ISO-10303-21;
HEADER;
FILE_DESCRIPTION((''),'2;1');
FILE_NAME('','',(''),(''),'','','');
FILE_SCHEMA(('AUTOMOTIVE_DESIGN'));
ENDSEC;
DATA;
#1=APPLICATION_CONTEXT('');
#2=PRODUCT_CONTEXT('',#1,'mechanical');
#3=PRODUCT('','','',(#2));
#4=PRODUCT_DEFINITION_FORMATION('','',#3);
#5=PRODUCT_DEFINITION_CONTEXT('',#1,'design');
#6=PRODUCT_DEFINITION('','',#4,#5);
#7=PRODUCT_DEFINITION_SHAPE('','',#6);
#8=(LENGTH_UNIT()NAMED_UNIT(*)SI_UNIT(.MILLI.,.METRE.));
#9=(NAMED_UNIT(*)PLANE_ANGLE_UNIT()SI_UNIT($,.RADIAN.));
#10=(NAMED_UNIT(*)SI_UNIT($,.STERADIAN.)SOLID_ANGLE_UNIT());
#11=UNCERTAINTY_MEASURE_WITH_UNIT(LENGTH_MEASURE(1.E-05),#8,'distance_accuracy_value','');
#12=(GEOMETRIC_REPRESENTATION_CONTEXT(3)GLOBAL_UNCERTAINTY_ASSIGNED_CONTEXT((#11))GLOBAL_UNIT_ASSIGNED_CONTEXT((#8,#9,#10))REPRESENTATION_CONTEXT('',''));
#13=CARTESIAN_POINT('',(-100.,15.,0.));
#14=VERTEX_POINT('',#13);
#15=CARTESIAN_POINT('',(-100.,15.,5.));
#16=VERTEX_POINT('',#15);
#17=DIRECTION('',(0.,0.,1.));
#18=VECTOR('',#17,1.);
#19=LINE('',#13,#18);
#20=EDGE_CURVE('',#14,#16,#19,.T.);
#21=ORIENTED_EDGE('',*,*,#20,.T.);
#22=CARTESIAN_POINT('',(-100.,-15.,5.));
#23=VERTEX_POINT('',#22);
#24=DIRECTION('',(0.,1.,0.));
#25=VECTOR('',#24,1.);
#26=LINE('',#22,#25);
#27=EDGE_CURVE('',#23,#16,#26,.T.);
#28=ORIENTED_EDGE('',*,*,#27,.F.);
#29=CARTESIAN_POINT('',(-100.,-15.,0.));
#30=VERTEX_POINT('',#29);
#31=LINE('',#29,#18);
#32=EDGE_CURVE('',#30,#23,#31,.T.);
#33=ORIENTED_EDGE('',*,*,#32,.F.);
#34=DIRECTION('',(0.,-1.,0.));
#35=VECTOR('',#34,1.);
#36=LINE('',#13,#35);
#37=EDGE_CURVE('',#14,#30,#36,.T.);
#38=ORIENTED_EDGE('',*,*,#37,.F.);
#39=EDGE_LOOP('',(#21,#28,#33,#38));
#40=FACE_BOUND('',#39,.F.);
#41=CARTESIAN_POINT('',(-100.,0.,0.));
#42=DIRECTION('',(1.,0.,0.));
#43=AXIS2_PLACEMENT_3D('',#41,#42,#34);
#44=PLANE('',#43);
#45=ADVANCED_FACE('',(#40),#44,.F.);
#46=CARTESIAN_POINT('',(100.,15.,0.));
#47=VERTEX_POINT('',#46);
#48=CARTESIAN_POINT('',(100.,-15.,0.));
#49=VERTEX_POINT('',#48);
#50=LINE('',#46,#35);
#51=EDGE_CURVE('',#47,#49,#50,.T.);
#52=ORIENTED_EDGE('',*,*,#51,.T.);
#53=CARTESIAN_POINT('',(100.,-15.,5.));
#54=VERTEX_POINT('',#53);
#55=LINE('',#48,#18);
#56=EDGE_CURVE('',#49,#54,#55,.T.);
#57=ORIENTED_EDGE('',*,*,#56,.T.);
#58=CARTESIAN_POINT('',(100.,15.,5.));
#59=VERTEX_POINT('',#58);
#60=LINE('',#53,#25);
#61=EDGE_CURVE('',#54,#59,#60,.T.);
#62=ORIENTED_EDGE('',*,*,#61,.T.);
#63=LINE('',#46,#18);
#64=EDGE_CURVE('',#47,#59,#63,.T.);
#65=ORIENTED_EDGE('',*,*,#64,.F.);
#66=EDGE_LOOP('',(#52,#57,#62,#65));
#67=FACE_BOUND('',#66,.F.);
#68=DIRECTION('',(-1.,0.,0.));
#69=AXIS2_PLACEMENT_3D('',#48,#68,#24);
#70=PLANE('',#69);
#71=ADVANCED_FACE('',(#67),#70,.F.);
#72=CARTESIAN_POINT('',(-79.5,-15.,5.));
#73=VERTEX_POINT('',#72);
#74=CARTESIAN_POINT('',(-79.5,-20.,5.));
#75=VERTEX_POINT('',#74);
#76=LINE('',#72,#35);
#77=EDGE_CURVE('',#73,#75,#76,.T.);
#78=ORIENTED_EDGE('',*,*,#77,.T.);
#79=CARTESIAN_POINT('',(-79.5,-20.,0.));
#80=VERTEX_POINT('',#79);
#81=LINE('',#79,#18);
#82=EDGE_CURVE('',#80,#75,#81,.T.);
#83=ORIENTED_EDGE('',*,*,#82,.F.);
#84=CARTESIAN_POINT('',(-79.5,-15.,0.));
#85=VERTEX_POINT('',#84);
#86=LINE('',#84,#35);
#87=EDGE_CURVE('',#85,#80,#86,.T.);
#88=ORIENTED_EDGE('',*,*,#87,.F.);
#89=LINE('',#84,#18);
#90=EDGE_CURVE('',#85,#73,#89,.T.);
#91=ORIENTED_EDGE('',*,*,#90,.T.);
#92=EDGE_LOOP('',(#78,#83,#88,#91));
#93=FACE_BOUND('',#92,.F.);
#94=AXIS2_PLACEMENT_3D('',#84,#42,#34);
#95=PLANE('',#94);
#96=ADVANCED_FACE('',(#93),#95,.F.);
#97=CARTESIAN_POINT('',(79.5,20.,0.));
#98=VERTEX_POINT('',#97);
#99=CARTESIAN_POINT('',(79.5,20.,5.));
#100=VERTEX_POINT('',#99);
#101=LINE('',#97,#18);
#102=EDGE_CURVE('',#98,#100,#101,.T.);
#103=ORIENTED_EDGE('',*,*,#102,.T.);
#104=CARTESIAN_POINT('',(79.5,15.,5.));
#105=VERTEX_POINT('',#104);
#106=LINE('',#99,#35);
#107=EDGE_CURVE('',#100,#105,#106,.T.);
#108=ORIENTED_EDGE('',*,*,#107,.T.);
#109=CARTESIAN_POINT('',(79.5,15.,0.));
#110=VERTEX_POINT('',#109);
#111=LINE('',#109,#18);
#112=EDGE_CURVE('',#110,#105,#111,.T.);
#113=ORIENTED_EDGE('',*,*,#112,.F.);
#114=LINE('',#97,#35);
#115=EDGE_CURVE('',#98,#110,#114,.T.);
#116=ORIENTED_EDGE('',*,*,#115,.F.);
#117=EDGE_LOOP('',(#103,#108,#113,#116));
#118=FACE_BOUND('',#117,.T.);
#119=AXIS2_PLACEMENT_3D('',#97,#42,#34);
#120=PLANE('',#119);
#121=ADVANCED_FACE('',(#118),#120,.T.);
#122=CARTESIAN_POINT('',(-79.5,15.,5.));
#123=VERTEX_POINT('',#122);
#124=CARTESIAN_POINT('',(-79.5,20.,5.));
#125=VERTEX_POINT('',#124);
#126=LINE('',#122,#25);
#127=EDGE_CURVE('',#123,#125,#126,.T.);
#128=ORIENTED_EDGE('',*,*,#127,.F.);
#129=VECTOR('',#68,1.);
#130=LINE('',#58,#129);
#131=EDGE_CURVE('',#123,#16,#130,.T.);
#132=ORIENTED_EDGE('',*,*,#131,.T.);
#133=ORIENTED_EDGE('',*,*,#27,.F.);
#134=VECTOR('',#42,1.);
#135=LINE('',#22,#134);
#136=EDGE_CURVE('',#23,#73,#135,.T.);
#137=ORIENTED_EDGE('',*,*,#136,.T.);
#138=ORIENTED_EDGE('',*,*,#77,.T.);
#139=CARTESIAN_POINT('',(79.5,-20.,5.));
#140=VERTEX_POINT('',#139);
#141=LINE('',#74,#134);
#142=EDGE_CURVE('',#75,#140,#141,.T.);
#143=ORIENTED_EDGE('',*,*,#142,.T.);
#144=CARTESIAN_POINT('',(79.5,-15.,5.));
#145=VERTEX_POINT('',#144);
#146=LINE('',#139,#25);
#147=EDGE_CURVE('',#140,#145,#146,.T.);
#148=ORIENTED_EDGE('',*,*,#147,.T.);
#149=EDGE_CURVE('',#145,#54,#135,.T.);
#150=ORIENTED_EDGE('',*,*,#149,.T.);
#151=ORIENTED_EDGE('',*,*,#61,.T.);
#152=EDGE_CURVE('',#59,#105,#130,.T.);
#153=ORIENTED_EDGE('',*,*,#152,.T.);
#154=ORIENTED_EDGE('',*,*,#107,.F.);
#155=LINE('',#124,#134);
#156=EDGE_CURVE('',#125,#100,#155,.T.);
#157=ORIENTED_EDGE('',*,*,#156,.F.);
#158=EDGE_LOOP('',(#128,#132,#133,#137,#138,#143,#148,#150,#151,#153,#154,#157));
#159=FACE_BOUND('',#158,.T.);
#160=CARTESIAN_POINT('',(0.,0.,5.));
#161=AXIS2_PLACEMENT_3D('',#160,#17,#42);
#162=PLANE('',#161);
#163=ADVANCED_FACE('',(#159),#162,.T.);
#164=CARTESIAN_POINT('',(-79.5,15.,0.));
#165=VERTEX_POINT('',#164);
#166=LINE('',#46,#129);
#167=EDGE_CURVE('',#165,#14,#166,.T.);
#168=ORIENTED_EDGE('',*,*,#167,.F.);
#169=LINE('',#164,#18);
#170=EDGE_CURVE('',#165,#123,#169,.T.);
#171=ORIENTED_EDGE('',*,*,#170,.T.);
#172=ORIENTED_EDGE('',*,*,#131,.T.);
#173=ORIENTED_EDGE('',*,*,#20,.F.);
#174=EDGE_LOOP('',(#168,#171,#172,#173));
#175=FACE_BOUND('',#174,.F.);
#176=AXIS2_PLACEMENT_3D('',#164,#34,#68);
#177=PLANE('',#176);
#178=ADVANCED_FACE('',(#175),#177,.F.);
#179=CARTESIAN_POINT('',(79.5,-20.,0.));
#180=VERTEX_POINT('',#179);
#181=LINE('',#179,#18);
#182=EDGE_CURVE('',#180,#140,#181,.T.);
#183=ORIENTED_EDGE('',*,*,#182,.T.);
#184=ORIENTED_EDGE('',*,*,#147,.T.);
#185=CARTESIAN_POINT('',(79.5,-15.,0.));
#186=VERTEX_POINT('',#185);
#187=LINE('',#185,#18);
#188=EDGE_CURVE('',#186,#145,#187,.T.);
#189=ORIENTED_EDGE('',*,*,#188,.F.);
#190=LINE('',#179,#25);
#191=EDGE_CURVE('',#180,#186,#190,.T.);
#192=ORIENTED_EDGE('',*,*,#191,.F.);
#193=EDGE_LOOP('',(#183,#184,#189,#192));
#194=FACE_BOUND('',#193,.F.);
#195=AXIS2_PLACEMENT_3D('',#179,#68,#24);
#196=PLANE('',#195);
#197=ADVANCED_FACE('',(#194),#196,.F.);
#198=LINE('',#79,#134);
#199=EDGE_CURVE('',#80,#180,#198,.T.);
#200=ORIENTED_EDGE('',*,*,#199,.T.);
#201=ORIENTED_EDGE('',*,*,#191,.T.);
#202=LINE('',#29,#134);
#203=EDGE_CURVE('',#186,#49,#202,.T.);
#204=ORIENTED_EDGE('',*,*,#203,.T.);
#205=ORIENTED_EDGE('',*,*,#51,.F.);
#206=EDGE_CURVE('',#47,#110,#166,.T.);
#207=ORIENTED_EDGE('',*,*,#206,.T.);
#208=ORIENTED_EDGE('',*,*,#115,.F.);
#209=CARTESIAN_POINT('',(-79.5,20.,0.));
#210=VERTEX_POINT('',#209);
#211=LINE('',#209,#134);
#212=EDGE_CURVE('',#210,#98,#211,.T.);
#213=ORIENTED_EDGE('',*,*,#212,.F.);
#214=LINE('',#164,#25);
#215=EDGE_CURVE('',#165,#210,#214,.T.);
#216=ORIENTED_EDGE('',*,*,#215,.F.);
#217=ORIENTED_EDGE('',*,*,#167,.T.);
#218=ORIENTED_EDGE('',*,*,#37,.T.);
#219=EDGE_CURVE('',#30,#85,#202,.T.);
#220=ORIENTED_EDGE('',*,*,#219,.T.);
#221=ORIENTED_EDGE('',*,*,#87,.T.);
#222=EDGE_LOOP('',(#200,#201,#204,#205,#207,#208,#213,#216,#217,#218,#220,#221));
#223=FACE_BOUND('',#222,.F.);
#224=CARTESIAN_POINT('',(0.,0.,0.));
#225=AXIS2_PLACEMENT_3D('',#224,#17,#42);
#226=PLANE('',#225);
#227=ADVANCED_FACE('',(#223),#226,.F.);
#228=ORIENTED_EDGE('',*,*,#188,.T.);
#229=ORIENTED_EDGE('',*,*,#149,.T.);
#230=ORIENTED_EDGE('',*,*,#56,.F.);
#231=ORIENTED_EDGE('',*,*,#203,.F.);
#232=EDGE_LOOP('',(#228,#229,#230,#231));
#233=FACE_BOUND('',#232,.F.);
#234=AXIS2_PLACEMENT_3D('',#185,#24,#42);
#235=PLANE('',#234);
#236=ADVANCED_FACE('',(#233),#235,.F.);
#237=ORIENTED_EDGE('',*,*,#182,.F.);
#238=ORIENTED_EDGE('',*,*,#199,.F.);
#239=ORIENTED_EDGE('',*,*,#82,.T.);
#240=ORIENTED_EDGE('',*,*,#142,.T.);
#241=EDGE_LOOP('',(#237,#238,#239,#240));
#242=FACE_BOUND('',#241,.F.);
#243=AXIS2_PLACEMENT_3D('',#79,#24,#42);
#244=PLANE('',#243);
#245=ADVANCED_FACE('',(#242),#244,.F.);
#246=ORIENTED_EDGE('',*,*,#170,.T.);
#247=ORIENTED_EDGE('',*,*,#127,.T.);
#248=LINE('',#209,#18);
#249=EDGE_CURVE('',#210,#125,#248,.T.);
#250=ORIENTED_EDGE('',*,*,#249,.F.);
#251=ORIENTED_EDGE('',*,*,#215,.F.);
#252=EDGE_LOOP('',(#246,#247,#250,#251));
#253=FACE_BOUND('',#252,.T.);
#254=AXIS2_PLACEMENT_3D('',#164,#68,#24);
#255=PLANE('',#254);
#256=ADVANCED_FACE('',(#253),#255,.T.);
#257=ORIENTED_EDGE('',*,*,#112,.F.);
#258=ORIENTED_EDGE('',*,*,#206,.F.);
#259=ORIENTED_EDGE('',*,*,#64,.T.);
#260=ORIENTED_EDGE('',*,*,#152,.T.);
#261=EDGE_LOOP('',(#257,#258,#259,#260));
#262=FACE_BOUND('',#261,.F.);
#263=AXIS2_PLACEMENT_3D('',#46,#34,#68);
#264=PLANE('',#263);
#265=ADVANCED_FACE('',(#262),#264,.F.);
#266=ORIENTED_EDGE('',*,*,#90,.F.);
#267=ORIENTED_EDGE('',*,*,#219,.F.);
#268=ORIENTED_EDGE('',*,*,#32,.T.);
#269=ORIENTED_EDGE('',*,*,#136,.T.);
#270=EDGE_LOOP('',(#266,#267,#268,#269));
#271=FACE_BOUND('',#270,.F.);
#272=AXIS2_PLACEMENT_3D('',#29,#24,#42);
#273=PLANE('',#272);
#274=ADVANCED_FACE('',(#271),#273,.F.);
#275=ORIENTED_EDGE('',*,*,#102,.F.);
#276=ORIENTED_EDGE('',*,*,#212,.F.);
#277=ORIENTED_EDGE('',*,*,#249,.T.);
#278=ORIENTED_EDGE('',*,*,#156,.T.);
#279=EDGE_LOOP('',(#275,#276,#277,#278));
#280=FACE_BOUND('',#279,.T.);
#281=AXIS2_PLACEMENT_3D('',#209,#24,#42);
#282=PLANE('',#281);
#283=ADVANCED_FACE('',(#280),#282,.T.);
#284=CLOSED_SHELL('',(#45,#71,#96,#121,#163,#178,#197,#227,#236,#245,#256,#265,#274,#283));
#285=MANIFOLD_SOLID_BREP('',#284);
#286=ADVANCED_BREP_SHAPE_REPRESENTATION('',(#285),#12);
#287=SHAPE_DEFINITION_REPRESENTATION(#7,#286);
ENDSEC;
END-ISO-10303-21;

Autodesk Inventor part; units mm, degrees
ref_plane "YZ Plane" through (0, 0, 0) normal (1, 0, 0) x (0, 1, 0)
ref_plane "XZ Plane" through (0, 0, 0) normal (0, 1, 0) x (-1, 0, 0)
ref_plane "XY Plane" through (0, 0, 0) normal (0, 0, 1) x (1, 0, 0)
sketch "Sketch1" plane through (0, 0, 0) normal (0, 0, 1) x (1, 0, 0)
  line L0 (-100, -15) -> (100, -15)
  line L1 (100, -15) -> (100, 15)
  line L2 (100, 15) -> (-100, 15)
  line L3 (-100, 15) -> (-100, -15)
  line L4 (-100, -15) -> (100, 15) construction
  line L5 (100, -15) -> (-100, 15) construction
  line L6 (-79.5, 20) -> (79.5, 20)
  line L7 (79.5, 20) -> (79.5, 15)
  line L8 (79.5, 15) -> (-79.5, 15)
  line L9 (-79.5, 15) -> (-79.5, 20)
  line L10 (-79.5, 20) -> (79.5, 15) construction
  line L11 (79.5, 20) -> (-79.5, 15) construction
  line L12 (-100, 0) -> (100, 0)
  line L13 (-79.5, -20) -> (79.5, -20)
  line L14 (79.5, -20) -> (79.5, -15)
  line L15 (79.5, -15) -> (-79.5, -15)
  line L16 (-79.5, -15) -> (-79.5, -20)
  line L17 (-79.5, -20) -> (79.5, -15) construction
  line L18 (79.5, -20) -> (-79.5, -15) construction
  point P0 (0, 0)
  point P1 (0, 17.5)
  point P2 (0, 15)
  point P3 (0, -17.5)
  point P4 (0, -15)
  dimension "d0" = 5
  dimension "d1" = 30
  dimension "d2" = 200
  dimension "d3" = 159
extrude "Plate1" add sketch "Sketch1" along normal blind 5
equation "\"d4\" = Thickness"
equation "\"BendRadius\" = Thickness"
equation "\"BendReliefWidth\" = Thickness"
equation "\"BendReliefDepth\" = 0.5 * Thickness"
equation "\"TransitionRadius\" = BendRadius"
equation "\"JacobiRadiusSize\" = BendRadius"
equation "\"GapSize\" = Thickness"
equation "\"Thickness\" = 5"
properties part number "Base Leg V1"
